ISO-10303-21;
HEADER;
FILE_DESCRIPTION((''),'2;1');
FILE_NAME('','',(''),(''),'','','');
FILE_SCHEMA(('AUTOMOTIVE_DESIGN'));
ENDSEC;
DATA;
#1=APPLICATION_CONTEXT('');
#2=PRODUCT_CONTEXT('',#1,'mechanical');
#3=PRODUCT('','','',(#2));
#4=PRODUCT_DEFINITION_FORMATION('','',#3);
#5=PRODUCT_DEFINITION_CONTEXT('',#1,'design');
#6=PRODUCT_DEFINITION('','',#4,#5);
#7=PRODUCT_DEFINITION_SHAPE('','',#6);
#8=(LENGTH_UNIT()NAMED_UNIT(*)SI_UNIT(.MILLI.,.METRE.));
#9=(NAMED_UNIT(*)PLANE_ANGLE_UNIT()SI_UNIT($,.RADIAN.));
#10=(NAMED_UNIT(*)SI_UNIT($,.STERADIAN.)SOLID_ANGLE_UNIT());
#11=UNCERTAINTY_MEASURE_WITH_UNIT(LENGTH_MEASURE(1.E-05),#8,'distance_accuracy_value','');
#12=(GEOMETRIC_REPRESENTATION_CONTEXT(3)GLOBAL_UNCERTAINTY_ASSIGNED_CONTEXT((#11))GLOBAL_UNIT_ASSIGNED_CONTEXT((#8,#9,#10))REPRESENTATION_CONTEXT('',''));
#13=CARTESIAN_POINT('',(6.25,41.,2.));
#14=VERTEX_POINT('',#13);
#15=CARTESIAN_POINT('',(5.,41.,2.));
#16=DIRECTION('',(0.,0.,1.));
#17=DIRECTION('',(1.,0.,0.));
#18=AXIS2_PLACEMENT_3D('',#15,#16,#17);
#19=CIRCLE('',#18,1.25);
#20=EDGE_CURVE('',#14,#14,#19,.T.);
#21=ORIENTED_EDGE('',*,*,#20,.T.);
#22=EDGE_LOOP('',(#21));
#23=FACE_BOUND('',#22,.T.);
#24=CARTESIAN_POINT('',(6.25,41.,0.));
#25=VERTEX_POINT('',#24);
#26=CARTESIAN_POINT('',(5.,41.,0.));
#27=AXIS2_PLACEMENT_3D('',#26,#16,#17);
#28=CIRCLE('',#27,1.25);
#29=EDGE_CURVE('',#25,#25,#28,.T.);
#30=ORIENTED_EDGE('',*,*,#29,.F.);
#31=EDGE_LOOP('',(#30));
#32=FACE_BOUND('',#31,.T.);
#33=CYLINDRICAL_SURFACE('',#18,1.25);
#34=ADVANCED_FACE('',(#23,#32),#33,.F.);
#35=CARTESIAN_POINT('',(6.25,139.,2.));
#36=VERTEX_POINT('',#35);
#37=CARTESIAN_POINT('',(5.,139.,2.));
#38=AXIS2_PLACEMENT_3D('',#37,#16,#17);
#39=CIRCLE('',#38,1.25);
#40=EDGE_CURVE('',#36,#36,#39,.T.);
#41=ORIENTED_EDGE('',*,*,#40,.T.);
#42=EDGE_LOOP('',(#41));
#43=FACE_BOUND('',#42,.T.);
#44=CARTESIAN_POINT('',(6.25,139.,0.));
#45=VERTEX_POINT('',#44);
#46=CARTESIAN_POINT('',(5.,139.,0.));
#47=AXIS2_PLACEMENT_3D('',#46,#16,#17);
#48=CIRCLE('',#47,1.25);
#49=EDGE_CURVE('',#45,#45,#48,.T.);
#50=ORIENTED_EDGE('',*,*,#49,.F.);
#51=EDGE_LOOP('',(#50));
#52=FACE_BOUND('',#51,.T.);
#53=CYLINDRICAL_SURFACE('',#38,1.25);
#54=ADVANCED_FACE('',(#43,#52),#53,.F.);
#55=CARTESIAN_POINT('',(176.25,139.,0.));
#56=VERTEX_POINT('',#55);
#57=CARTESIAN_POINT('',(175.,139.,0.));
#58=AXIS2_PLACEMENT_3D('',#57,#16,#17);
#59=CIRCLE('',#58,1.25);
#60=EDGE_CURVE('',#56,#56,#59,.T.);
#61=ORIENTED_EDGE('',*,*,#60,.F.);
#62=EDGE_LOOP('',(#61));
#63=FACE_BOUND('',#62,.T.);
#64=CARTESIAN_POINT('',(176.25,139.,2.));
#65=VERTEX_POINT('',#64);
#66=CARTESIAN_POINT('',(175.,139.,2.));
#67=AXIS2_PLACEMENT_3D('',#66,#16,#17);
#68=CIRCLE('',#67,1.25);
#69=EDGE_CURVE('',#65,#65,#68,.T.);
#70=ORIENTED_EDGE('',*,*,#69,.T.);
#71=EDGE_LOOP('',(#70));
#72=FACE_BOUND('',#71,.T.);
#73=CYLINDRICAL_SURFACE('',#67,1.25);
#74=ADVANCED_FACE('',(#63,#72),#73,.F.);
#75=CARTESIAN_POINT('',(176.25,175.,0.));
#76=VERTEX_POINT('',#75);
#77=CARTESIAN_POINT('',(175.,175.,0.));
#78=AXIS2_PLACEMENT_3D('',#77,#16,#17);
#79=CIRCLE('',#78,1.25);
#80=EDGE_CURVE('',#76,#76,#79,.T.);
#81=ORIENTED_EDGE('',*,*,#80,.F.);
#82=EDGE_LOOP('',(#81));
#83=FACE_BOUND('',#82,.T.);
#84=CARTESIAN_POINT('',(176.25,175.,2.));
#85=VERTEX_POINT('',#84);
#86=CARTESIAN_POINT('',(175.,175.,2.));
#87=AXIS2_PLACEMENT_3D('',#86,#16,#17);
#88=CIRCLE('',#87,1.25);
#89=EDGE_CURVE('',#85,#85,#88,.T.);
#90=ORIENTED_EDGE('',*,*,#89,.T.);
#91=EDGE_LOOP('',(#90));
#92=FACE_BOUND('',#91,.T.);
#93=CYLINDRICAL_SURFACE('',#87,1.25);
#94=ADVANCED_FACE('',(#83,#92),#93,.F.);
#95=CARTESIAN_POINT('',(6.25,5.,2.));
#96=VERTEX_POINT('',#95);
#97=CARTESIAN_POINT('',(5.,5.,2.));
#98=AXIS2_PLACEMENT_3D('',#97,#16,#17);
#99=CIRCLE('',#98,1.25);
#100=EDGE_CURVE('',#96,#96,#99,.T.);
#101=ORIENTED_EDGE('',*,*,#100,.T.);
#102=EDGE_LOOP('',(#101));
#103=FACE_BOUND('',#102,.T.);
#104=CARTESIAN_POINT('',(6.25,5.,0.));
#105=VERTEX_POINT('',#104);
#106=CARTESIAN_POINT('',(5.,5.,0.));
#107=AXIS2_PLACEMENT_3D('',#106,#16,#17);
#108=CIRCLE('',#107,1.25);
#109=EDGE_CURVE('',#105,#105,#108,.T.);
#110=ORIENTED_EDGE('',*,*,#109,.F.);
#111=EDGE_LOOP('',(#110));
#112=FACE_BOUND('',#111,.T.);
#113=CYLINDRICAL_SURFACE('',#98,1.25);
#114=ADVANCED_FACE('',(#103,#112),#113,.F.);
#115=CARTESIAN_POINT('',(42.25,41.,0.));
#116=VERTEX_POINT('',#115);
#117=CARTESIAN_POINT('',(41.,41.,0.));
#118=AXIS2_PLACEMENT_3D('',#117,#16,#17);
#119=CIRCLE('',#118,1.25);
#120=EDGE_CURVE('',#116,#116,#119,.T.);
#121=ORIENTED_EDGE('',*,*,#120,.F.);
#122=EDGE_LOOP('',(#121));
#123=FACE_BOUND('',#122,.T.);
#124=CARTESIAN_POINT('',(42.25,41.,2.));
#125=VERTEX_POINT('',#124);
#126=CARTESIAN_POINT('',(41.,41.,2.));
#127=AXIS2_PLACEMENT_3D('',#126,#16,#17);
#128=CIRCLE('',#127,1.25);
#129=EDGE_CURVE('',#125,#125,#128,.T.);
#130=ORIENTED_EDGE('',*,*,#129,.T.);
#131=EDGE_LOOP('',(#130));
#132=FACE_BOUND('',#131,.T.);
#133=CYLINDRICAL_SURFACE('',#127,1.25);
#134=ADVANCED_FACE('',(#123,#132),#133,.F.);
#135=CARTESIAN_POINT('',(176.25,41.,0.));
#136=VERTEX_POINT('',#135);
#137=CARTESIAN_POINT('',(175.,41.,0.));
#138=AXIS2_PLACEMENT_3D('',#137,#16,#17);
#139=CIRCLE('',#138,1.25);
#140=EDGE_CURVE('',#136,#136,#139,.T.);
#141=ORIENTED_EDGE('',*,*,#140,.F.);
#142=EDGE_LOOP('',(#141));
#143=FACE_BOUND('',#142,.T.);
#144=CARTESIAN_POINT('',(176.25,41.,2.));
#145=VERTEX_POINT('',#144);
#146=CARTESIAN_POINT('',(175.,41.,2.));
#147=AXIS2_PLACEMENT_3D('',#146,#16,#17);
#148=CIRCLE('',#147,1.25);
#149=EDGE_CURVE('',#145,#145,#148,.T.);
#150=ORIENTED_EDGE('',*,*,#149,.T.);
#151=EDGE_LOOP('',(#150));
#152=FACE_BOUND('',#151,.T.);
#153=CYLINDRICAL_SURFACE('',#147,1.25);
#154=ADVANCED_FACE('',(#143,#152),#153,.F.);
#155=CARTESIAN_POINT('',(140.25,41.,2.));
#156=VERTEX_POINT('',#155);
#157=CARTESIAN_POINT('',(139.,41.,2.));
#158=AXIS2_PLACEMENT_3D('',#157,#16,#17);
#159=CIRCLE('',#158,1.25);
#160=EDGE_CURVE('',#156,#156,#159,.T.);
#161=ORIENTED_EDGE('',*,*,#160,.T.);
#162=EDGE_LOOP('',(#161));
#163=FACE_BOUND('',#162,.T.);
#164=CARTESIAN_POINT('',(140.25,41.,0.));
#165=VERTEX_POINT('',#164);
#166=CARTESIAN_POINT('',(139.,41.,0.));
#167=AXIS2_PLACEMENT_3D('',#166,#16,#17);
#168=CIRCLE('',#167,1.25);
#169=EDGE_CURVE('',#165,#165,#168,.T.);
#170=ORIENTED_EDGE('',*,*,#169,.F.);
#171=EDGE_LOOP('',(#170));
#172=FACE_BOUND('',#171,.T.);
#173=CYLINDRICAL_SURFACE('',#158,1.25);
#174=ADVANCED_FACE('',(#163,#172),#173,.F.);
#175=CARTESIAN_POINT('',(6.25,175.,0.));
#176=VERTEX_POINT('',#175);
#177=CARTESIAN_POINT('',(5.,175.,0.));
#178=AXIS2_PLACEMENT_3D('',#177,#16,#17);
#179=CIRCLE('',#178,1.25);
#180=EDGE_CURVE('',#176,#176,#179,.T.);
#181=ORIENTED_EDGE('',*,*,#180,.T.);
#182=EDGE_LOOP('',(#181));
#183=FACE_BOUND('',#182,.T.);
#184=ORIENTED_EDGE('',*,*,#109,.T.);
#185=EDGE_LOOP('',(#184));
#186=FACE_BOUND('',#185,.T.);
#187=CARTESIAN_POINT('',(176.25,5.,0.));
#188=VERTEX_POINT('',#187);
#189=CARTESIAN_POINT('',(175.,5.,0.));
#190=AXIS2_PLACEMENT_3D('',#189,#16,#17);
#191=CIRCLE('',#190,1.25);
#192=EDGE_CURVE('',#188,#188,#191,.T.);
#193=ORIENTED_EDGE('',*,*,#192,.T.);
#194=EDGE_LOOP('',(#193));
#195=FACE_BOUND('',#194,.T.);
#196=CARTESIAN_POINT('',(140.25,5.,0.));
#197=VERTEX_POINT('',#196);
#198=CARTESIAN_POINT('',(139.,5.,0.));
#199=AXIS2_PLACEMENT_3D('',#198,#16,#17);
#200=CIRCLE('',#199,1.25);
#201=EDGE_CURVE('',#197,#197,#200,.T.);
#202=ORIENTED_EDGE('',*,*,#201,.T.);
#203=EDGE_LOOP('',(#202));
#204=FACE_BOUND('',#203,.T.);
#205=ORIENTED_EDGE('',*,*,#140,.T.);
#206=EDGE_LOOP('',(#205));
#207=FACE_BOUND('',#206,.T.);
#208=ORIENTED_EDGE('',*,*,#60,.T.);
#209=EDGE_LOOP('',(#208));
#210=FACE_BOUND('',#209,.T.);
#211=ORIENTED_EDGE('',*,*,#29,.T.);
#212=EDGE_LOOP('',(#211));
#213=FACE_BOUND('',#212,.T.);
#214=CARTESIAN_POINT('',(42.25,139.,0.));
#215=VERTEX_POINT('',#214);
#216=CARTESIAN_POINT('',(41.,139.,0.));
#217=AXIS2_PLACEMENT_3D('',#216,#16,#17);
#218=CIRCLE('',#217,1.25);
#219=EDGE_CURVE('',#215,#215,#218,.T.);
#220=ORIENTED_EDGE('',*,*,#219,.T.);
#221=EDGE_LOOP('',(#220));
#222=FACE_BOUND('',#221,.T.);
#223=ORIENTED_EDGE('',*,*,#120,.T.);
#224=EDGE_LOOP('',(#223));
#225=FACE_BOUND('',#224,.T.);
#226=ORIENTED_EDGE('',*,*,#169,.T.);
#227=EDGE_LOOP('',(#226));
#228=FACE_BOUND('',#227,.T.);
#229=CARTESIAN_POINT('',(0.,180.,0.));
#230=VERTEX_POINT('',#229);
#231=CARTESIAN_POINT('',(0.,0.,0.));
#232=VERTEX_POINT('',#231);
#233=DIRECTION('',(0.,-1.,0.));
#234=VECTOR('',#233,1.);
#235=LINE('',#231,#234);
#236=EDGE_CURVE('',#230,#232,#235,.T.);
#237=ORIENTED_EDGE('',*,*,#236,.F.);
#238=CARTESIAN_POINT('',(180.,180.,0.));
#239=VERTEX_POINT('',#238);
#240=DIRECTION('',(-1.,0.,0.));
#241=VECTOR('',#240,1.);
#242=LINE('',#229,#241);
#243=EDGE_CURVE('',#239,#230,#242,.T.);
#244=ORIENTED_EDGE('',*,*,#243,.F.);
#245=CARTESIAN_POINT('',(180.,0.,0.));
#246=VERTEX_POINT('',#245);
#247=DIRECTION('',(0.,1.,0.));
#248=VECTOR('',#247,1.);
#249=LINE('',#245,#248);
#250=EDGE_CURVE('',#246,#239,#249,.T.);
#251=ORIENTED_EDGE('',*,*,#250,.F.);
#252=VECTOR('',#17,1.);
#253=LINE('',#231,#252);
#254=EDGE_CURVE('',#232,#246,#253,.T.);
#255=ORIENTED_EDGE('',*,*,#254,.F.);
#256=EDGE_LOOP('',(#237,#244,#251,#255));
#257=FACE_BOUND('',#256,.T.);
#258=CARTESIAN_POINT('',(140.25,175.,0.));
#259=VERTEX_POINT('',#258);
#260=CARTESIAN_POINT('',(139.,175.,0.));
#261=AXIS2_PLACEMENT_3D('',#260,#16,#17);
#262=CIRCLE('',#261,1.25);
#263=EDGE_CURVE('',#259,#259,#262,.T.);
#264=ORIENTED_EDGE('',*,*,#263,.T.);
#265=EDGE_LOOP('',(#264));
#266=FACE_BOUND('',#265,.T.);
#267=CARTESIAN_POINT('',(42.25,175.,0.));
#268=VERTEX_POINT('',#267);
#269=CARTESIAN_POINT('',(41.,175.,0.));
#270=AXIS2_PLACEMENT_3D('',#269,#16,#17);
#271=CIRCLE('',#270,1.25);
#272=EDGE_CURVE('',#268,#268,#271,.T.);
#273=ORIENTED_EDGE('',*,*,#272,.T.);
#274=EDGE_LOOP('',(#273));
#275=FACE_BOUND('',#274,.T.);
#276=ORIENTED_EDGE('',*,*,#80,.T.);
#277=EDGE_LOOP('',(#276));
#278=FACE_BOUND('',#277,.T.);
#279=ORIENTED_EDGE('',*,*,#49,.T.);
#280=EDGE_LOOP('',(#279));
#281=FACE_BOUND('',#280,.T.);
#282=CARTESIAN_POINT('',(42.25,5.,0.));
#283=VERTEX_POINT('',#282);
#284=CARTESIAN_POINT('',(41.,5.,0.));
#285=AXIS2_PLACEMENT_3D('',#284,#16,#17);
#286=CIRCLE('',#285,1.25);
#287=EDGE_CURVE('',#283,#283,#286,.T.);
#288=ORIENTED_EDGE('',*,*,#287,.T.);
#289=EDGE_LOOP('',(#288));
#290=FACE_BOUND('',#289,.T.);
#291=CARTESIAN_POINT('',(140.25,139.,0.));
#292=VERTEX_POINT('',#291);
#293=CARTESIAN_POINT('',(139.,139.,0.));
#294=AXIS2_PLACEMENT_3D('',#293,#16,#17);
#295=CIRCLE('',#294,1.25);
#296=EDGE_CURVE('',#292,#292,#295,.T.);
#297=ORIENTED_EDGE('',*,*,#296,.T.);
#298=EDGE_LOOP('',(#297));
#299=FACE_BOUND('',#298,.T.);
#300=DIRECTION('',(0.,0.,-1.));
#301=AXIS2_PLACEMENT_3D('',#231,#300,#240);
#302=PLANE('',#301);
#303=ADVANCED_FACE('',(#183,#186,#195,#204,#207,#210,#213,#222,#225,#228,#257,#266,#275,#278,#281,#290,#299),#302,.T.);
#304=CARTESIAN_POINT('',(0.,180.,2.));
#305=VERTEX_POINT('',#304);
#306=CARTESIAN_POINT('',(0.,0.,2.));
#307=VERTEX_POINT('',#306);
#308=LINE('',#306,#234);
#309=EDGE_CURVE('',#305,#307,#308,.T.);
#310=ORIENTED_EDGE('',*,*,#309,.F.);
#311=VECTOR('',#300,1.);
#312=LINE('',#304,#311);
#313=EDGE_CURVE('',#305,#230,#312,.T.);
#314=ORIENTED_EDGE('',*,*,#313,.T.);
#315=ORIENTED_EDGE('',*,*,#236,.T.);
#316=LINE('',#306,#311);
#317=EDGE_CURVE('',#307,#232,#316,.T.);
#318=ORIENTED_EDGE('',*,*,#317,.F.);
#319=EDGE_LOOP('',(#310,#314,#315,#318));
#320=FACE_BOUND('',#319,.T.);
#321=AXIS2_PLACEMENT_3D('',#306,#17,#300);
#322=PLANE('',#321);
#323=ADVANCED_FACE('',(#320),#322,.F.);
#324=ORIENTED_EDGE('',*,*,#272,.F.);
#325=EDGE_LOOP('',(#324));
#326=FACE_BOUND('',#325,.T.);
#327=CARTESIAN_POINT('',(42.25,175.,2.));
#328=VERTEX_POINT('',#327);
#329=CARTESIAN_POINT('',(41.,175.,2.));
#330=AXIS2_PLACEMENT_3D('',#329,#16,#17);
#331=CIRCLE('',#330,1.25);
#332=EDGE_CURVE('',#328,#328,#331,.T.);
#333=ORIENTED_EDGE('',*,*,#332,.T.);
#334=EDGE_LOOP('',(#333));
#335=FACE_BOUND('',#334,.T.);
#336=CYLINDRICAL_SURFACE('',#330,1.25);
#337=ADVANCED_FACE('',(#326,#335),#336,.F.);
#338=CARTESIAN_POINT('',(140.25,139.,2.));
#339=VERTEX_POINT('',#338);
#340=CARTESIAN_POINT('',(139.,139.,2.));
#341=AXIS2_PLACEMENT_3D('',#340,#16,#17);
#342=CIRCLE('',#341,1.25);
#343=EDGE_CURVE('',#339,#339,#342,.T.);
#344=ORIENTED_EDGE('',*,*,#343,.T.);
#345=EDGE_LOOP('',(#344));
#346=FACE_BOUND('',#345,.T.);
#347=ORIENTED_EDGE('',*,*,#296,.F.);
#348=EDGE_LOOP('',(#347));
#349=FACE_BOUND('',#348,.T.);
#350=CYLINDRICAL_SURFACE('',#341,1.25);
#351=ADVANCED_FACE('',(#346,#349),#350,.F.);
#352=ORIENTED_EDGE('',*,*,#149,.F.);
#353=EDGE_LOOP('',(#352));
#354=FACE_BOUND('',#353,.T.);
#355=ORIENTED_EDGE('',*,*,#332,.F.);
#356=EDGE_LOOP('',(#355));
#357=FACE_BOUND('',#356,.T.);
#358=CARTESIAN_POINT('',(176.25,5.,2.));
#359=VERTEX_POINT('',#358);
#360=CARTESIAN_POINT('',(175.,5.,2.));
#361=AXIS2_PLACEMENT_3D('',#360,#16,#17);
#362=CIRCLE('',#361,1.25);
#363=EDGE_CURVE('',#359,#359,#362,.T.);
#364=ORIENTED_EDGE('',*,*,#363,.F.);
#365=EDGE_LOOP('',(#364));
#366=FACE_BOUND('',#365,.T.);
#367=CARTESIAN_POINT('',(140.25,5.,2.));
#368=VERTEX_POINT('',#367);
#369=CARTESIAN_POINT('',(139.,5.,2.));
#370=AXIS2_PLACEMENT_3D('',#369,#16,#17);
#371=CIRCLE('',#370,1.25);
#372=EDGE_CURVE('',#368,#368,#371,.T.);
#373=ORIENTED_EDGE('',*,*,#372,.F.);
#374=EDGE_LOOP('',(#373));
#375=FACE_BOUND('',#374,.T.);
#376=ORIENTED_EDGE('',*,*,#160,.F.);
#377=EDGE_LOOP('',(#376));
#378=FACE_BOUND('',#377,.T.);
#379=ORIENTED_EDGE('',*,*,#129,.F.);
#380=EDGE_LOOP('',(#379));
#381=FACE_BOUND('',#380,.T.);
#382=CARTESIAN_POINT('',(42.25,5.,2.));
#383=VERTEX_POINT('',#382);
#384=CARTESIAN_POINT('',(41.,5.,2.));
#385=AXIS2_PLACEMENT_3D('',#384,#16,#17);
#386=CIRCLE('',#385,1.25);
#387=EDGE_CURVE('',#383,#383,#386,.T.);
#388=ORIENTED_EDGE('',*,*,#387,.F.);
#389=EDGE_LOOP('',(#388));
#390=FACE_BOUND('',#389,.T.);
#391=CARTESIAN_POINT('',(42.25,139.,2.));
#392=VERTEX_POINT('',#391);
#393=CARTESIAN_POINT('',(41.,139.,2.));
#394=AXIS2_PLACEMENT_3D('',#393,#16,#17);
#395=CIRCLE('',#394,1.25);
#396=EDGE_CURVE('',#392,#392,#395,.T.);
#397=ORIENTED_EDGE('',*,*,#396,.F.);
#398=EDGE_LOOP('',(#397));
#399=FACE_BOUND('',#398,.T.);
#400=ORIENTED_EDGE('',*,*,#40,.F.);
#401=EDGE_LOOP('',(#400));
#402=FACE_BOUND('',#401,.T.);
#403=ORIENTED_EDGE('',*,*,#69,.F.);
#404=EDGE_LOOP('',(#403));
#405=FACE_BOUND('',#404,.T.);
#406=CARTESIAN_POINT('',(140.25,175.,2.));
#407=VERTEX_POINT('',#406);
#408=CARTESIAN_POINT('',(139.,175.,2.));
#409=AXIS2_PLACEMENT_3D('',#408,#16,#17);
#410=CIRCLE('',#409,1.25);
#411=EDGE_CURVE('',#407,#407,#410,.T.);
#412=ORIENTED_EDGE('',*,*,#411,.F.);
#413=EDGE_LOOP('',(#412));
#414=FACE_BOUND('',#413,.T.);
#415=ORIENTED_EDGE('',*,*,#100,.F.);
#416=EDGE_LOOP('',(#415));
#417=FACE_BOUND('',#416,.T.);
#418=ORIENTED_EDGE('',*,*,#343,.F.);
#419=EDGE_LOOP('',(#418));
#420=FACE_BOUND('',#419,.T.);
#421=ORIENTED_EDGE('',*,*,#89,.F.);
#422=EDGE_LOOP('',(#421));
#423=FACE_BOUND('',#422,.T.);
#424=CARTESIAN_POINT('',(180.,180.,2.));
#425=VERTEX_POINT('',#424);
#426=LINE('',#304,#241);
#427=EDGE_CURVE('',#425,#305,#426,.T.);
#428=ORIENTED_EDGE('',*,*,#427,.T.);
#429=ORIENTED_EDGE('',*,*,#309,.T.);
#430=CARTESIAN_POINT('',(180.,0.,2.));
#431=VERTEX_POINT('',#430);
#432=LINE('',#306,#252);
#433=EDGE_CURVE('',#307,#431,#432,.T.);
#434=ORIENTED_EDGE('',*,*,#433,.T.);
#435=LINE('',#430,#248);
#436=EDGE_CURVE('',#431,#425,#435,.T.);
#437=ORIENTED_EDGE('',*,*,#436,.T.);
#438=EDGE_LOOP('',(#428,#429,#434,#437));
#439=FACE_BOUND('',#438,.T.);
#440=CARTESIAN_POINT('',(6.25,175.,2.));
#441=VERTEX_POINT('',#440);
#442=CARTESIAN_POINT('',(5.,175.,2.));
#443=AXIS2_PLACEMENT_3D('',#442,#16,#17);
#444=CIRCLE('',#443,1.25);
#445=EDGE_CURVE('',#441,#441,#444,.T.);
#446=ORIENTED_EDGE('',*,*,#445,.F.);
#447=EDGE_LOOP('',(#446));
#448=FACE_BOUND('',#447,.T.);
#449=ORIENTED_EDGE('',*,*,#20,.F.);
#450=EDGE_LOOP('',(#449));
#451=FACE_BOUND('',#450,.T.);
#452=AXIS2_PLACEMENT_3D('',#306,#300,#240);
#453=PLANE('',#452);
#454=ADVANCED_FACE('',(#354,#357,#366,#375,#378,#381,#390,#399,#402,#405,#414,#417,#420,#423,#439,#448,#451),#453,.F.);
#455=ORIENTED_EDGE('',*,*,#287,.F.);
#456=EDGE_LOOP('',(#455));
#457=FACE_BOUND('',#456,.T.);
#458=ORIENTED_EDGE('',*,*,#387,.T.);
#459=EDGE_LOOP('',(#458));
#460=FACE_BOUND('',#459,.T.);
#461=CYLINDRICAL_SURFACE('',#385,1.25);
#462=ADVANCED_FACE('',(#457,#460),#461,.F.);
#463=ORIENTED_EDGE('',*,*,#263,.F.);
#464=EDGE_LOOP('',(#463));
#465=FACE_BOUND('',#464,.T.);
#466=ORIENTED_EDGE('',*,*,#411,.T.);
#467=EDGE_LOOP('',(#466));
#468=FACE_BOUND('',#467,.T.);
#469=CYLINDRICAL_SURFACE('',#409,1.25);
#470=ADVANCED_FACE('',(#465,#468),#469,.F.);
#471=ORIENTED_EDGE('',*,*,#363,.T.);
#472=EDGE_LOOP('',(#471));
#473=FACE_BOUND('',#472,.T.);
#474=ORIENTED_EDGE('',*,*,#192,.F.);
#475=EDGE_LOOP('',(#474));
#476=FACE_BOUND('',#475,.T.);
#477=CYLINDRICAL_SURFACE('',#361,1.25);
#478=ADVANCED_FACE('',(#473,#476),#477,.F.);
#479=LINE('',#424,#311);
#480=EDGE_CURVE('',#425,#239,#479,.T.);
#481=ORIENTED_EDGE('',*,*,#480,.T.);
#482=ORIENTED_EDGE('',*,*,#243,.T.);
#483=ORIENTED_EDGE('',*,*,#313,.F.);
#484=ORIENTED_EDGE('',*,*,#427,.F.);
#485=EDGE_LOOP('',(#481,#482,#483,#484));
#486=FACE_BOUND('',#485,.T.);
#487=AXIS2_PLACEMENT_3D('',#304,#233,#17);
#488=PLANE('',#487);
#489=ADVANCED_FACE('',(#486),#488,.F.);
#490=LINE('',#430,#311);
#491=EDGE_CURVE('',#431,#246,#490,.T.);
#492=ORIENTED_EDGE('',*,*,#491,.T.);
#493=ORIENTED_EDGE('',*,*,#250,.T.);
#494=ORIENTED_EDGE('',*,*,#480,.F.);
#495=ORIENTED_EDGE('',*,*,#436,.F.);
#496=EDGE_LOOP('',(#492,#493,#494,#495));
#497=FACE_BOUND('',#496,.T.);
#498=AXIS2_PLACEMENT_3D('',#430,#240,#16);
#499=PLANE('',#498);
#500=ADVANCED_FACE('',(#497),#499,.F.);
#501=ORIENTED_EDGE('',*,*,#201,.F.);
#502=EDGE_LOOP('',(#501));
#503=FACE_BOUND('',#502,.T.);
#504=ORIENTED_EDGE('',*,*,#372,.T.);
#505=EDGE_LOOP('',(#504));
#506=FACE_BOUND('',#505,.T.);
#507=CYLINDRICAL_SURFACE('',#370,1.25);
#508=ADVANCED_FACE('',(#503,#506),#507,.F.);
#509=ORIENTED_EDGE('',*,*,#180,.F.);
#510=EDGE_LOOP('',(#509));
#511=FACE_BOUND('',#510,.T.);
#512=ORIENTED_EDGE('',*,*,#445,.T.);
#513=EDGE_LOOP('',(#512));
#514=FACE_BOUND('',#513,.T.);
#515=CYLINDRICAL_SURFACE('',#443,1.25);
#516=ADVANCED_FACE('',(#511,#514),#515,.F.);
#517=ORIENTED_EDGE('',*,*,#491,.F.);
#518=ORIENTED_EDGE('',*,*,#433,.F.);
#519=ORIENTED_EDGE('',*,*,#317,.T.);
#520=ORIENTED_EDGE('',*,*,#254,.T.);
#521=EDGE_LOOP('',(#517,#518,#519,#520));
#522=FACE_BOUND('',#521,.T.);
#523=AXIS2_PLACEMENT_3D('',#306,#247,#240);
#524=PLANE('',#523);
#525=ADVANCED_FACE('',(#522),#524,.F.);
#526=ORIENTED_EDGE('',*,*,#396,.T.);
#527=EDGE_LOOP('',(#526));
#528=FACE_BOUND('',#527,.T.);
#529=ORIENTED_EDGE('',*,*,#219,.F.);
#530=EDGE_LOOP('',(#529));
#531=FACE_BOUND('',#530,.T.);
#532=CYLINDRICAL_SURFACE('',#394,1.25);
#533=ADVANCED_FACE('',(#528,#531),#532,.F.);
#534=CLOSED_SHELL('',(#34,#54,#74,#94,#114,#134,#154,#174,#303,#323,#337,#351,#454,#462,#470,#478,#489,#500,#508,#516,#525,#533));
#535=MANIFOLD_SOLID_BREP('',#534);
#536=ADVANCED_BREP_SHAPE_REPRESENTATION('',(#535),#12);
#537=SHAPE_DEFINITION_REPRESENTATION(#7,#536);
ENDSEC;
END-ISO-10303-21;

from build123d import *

# Parameters (mm, degrees)
SKETCH_1_W        = 180
SKETCH_1_H        = 180
EXTRUDE_1_DEPTH   = 2
M3X0_5_1_D        = 2.5
MIRROR_2_COPY_1_D = 2.5


with BuildPart() as part:
    # ｽｹｯﾁ1 → ﾎﾞｽ - 押し出し1 (new body)
    with BuildSketch(Plane.XY):
        with Locations((90, 90)):
            Rectangle(SKETCH_1_W, SKETCH_1_H)
    extrude(amount=EXTRUDE_1_DEPTH)

    # M3x0.5 ねじ穴1 (through all)
    with Locations(Plane.XY.offset(2)):
        with Locations((175, 5), (175, 41), (139, 41), (139, 5)):
            m3x0_5_1 = Hole(M3X0_5_1_D / 2)

    # ﾐﾗｰ1: M3x0.5 ねじ穴1 across plane
    add(m3x0_5_1.mirror(Plane.ZX.offset(90)), mode=Mode.SUBTRACT)

    # ﾐﾗｰ2: M3x0.5 ねじ穴1 across plane
    add(m3x0_5_1.mirror(Plane(origin=(90, 0, 0), x_dir=(0, 0, 1), z_dir=(1, 0, 0))), mode=Mode.SUBTRACT)

    # ﾐﾗｰ2 copy 1 (through all)
    with Locations(Plane(origin=(180, 180, 2), x_dir=(-1, 0, 0), z_dir=(0, 0, 1))):
        with Locations((175, 5), (175, 41), (139, 41), (139, 5)):
            Hole(MIRROR_2_COPY_1_D / 2)


solid = part.part
